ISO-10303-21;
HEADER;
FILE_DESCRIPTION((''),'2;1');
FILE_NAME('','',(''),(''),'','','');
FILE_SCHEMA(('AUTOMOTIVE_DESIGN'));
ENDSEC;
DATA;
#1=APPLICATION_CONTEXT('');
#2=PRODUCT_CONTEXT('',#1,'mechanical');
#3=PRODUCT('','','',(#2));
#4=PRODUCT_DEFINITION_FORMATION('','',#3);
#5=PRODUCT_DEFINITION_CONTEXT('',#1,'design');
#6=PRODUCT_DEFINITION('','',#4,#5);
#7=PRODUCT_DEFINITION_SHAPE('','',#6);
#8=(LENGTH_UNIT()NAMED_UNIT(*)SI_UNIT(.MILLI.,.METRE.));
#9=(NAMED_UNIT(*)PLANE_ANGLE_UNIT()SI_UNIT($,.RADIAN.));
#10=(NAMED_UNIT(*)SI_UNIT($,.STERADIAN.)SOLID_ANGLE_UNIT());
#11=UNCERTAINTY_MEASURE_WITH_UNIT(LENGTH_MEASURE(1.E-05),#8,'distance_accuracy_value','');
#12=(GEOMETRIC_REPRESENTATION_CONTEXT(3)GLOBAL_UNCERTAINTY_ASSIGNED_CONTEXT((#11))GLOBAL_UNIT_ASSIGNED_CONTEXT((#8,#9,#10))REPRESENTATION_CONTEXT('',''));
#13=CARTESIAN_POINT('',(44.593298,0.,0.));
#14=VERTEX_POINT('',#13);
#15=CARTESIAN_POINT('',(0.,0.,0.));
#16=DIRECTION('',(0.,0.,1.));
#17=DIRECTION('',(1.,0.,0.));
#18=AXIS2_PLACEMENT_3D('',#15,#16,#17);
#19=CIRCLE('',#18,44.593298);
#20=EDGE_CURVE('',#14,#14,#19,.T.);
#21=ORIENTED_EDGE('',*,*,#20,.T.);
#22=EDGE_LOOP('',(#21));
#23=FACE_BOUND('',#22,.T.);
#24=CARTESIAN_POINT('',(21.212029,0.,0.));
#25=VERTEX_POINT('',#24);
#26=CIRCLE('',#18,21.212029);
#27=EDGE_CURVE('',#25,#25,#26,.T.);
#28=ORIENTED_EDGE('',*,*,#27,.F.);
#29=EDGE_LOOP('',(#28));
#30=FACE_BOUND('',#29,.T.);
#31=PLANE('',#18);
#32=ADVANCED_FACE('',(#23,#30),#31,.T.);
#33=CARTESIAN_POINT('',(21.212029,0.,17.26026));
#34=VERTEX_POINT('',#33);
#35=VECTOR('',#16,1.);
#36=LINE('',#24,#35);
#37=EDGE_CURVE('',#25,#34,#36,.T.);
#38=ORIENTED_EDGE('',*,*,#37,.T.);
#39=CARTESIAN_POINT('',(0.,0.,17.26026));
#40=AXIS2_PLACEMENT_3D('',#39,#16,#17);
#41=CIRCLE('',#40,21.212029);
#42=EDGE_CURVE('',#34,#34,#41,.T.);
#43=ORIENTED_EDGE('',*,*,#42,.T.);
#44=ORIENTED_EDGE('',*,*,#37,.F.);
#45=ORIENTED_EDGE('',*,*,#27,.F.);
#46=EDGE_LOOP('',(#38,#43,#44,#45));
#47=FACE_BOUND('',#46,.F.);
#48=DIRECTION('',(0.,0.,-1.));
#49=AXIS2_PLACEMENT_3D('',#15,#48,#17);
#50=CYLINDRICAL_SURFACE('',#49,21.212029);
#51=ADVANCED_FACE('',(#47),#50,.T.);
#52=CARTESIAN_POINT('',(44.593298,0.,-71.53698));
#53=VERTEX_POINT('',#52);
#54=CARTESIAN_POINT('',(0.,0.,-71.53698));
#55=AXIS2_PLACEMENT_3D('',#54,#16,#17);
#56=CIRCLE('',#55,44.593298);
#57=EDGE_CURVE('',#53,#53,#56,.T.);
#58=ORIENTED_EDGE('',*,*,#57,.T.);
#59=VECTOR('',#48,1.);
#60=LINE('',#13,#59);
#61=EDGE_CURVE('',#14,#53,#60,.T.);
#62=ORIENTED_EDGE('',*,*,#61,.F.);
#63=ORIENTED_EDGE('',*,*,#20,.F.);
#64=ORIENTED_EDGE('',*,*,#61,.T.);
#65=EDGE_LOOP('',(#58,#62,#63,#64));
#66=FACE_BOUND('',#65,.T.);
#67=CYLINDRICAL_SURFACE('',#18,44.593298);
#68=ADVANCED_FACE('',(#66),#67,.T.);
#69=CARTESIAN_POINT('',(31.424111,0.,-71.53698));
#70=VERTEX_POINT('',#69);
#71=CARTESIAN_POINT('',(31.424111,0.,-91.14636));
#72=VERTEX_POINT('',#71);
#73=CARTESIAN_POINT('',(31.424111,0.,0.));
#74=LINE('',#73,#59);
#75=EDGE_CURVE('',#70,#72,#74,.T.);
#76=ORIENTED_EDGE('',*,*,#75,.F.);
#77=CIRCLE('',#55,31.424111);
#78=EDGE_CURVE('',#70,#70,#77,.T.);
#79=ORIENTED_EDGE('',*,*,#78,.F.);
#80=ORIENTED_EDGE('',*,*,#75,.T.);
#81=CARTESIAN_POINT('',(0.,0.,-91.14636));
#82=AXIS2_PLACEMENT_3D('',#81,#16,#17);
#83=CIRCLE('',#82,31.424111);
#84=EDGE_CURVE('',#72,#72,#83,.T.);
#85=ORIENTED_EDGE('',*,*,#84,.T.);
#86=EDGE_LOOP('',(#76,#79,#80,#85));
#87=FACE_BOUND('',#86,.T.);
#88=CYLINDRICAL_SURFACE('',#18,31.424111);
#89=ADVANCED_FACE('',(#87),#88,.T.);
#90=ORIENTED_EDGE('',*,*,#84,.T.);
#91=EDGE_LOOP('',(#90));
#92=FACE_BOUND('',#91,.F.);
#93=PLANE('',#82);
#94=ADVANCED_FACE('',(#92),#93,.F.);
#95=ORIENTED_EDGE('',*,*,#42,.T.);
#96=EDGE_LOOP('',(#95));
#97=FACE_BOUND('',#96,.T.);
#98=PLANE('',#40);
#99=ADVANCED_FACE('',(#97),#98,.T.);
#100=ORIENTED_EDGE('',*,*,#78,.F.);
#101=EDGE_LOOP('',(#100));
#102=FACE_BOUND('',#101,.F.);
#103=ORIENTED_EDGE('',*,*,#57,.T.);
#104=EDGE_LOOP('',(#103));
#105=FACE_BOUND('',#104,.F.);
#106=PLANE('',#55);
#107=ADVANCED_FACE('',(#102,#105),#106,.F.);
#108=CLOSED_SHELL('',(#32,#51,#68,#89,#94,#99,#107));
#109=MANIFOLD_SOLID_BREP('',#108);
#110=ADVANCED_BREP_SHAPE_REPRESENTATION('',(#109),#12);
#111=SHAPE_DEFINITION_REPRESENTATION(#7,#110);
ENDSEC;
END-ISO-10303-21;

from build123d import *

# Parameters (mm, degrees)
F0_R     = 21.212029
F1_DEPTH = 17.26026
F2_R     = 44.593298
F3_DEPTH = 71.53698
F4_R     = 31.424111
F5_DEPTH = 91.14636


with BuildPart() as f1:
    # F0 (on Top) → F1 (new body)
    with BuildSketch(Plane.XY):
        Circle(F0_R)
    extrude(amount=F1_DEPTH)

    # F2 (on Top) → F3 (join)
    with BuildSketch(Plane.XY):
        Circle(F2_R)
    extrude(amount=-F3_DEPTH)

    # F4 (on Top) → F5 (join)
    with BuildSketch(Plane.XY):
        Circle(F4_R)
    extrude(amount=-F5_DEPTH)


solid = f1.part
